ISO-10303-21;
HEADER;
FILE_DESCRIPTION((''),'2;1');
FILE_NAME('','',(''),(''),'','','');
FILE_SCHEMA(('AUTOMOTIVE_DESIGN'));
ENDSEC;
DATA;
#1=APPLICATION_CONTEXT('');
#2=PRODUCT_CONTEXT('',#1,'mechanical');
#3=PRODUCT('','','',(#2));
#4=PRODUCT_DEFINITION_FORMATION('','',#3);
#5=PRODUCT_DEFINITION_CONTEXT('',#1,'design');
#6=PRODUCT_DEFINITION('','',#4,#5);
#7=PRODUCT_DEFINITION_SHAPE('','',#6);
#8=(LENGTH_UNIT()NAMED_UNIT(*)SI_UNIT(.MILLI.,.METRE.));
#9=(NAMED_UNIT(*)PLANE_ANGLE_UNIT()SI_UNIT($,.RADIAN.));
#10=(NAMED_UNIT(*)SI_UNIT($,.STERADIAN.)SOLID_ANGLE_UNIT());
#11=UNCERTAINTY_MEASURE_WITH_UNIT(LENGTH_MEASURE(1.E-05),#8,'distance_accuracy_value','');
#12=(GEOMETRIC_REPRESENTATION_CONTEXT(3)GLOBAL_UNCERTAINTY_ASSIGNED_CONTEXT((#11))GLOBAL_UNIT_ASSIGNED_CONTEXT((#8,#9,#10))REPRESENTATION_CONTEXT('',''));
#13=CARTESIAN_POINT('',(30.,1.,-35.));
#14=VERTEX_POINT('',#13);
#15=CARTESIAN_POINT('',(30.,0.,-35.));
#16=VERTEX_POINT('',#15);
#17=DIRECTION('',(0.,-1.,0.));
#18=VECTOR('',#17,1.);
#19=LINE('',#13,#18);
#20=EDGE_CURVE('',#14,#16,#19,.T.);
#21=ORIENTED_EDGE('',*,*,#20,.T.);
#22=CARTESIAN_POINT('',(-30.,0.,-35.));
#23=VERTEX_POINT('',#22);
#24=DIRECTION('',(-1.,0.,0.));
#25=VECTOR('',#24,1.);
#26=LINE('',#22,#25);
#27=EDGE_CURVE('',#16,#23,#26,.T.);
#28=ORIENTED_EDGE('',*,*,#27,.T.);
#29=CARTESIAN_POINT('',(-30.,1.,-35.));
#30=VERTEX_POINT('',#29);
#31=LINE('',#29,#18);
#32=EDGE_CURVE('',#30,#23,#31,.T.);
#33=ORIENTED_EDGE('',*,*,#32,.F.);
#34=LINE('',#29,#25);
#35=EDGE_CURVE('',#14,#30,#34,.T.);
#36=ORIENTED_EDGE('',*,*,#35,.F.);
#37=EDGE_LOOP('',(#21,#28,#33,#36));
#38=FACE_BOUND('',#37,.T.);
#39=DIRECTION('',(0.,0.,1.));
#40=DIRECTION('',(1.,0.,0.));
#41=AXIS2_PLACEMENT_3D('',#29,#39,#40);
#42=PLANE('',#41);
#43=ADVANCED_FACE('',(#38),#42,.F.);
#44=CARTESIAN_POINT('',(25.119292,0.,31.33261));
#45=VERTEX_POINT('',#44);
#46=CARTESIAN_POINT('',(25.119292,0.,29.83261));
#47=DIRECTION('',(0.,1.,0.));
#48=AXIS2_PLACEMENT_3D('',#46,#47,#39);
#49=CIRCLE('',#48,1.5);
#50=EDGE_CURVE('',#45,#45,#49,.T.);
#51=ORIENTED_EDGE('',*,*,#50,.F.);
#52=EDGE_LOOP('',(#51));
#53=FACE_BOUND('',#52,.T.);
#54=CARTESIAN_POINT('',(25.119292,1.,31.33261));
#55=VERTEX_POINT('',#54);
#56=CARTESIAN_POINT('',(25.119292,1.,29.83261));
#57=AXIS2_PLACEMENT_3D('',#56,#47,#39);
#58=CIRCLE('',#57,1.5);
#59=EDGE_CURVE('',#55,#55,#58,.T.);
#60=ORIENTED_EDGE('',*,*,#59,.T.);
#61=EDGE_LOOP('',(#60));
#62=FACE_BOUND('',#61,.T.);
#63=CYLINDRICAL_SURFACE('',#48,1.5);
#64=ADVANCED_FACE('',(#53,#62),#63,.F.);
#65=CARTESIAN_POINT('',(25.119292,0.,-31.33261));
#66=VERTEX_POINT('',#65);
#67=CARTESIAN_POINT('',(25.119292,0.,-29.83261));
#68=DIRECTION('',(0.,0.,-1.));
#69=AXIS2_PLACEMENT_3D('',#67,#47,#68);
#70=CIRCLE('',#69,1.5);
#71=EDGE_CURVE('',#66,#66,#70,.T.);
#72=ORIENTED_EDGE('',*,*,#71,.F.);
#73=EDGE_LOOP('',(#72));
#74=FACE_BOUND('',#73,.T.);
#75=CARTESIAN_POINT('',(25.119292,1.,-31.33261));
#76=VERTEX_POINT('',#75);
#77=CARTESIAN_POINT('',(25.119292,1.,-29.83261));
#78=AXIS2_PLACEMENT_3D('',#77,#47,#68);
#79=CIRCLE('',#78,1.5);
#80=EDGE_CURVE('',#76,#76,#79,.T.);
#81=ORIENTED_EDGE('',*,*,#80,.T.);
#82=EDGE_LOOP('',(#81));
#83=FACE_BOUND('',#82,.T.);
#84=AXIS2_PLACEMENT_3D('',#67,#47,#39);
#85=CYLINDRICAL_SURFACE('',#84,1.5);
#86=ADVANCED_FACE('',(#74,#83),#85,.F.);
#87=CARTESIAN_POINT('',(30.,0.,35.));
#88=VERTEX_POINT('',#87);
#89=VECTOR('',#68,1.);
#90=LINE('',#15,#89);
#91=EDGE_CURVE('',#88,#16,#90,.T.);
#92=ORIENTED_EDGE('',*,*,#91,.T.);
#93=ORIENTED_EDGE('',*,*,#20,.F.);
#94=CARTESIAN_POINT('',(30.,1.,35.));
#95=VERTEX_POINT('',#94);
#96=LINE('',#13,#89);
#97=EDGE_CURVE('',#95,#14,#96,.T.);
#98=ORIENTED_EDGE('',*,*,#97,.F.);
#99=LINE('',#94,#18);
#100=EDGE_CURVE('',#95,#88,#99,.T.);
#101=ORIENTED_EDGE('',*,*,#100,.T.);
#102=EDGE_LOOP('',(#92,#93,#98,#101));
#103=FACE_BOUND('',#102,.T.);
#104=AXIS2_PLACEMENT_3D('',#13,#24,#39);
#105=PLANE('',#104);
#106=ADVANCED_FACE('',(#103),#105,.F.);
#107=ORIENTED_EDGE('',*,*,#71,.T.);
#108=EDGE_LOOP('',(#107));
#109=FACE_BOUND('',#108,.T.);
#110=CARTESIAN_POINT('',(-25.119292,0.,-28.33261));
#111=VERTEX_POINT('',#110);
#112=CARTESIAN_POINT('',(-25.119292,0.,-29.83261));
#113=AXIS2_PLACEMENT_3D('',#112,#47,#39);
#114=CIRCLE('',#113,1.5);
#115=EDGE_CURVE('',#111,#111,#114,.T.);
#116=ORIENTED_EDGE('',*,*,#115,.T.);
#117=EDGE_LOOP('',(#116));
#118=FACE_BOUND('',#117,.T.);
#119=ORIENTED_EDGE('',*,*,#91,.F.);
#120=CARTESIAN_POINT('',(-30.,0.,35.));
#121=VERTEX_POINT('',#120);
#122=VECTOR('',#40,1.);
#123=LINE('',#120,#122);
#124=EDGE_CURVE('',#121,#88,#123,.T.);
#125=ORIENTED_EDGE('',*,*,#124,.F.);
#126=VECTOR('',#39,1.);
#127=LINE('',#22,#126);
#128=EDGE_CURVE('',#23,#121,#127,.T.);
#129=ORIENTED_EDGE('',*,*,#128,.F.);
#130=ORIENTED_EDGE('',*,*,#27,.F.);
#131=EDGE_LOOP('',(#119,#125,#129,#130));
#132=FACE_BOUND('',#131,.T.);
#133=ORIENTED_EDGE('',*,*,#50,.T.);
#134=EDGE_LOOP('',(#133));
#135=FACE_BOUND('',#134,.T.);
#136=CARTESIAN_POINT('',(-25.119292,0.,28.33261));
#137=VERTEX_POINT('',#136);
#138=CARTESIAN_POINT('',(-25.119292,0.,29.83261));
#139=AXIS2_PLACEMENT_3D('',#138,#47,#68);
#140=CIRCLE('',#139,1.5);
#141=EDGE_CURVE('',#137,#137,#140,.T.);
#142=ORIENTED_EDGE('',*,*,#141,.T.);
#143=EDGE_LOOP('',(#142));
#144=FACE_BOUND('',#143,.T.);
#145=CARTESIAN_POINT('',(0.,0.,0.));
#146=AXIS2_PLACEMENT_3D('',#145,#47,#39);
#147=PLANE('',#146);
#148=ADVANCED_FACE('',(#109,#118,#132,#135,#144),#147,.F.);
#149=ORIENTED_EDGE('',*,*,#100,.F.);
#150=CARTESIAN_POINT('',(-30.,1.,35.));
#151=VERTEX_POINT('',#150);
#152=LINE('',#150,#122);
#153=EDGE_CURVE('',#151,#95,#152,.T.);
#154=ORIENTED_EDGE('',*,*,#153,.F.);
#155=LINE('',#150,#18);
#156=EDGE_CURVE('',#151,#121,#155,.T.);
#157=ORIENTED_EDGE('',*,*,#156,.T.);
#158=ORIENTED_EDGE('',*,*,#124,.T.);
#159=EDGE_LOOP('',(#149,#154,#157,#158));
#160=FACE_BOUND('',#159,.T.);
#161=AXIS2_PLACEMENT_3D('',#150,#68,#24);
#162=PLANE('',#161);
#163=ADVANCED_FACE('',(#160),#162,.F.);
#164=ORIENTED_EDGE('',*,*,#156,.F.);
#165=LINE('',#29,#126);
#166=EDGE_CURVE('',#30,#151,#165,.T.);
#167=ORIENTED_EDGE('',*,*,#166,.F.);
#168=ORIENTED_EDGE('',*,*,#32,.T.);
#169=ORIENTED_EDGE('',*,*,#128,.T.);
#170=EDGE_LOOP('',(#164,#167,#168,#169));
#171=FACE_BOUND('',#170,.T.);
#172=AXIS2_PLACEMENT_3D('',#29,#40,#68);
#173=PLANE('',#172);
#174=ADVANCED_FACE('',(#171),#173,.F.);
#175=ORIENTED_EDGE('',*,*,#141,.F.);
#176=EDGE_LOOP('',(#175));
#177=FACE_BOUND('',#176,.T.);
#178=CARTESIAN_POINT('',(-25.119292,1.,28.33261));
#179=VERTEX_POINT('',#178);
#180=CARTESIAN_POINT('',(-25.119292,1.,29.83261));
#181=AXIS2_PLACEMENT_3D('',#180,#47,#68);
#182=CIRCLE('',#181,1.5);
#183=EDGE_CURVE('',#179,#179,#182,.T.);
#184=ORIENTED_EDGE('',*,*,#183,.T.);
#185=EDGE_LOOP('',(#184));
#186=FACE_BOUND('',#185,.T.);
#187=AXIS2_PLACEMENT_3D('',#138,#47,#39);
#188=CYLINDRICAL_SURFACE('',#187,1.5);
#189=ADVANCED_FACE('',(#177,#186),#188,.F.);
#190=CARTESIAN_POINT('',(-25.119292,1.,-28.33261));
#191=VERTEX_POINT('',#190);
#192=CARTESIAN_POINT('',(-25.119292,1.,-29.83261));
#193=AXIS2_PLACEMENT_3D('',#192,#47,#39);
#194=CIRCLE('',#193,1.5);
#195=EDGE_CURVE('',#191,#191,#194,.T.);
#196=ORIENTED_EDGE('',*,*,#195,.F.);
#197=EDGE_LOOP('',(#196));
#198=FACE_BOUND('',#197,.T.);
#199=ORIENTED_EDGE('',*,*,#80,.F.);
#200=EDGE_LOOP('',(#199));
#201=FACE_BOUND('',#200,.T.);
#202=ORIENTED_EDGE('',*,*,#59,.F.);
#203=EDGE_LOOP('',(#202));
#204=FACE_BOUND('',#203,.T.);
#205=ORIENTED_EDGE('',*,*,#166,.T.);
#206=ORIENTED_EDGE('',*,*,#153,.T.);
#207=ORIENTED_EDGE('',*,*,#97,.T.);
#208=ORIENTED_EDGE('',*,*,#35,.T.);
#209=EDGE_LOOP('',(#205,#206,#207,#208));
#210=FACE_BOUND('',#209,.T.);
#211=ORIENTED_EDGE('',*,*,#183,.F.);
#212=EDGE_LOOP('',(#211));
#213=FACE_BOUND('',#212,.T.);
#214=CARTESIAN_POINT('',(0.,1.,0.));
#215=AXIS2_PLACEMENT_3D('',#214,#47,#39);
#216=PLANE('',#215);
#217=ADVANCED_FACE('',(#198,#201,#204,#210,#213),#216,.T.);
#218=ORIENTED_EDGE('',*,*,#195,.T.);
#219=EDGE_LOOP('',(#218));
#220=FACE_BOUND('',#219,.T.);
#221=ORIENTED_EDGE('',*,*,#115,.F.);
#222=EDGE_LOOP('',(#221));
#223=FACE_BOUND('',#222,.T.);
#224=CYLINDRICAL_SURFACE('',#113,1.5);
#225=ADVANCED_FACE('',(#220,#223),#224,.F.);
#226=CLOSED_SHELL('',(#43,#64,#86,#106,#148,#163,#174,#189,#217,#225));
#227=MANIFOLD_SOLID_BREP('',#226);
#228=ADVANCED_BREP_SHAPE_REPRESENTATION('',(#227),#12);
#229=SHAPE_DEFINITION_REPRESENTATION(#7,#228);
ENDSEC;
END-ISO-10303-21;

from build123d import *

# Parameters (mm, degrees)
SKETCH1_W           = 60
SKETCH1_H           = 70
BOSS_EXTRUDE1_DEPTH = 1
SKETCH2_R           = 1.5
CUT_EXTRUDE1_DEPTH  = 1


with BuildPart() as part:
    # Sketch1 → Boss-Extrude1 (new body)
    with BuildSketch(Plane(origin=(0, 0, 0), x_dir=(1, 0, 0), z_dir=(0, 1, 0))):
        Rectangle(SKETCH1_W, SKETCH1_H)
    extrude(amount=BOSS_EXTRUDE1_DEPTH)

    # Sketch2 → Cut-Extrude1 (cut)
    with BuildSketch(Plane(origin=(0, 1, 0), x_dir=(1, 0, 0), z_dir=(0, 1, 0))):
        with Locations((-25.119291996, 29.832609661)):
            Circle(SKETCH2_R)
        with Locations((-25.119291996, -29.832609661)):
            Circle(SKETCH2_R)
        with Locations((25.119291996, 29.832609661)):
            Circle(SKETCH2_R)
        with Locations((25.119291996, -29.832609661)):
            Circle(SKETCH2_R)
    extrude(amount=-CUT_EXTRUDE1_DEPTH, mode=Mode.SUBTRACT)


solid = part.part
